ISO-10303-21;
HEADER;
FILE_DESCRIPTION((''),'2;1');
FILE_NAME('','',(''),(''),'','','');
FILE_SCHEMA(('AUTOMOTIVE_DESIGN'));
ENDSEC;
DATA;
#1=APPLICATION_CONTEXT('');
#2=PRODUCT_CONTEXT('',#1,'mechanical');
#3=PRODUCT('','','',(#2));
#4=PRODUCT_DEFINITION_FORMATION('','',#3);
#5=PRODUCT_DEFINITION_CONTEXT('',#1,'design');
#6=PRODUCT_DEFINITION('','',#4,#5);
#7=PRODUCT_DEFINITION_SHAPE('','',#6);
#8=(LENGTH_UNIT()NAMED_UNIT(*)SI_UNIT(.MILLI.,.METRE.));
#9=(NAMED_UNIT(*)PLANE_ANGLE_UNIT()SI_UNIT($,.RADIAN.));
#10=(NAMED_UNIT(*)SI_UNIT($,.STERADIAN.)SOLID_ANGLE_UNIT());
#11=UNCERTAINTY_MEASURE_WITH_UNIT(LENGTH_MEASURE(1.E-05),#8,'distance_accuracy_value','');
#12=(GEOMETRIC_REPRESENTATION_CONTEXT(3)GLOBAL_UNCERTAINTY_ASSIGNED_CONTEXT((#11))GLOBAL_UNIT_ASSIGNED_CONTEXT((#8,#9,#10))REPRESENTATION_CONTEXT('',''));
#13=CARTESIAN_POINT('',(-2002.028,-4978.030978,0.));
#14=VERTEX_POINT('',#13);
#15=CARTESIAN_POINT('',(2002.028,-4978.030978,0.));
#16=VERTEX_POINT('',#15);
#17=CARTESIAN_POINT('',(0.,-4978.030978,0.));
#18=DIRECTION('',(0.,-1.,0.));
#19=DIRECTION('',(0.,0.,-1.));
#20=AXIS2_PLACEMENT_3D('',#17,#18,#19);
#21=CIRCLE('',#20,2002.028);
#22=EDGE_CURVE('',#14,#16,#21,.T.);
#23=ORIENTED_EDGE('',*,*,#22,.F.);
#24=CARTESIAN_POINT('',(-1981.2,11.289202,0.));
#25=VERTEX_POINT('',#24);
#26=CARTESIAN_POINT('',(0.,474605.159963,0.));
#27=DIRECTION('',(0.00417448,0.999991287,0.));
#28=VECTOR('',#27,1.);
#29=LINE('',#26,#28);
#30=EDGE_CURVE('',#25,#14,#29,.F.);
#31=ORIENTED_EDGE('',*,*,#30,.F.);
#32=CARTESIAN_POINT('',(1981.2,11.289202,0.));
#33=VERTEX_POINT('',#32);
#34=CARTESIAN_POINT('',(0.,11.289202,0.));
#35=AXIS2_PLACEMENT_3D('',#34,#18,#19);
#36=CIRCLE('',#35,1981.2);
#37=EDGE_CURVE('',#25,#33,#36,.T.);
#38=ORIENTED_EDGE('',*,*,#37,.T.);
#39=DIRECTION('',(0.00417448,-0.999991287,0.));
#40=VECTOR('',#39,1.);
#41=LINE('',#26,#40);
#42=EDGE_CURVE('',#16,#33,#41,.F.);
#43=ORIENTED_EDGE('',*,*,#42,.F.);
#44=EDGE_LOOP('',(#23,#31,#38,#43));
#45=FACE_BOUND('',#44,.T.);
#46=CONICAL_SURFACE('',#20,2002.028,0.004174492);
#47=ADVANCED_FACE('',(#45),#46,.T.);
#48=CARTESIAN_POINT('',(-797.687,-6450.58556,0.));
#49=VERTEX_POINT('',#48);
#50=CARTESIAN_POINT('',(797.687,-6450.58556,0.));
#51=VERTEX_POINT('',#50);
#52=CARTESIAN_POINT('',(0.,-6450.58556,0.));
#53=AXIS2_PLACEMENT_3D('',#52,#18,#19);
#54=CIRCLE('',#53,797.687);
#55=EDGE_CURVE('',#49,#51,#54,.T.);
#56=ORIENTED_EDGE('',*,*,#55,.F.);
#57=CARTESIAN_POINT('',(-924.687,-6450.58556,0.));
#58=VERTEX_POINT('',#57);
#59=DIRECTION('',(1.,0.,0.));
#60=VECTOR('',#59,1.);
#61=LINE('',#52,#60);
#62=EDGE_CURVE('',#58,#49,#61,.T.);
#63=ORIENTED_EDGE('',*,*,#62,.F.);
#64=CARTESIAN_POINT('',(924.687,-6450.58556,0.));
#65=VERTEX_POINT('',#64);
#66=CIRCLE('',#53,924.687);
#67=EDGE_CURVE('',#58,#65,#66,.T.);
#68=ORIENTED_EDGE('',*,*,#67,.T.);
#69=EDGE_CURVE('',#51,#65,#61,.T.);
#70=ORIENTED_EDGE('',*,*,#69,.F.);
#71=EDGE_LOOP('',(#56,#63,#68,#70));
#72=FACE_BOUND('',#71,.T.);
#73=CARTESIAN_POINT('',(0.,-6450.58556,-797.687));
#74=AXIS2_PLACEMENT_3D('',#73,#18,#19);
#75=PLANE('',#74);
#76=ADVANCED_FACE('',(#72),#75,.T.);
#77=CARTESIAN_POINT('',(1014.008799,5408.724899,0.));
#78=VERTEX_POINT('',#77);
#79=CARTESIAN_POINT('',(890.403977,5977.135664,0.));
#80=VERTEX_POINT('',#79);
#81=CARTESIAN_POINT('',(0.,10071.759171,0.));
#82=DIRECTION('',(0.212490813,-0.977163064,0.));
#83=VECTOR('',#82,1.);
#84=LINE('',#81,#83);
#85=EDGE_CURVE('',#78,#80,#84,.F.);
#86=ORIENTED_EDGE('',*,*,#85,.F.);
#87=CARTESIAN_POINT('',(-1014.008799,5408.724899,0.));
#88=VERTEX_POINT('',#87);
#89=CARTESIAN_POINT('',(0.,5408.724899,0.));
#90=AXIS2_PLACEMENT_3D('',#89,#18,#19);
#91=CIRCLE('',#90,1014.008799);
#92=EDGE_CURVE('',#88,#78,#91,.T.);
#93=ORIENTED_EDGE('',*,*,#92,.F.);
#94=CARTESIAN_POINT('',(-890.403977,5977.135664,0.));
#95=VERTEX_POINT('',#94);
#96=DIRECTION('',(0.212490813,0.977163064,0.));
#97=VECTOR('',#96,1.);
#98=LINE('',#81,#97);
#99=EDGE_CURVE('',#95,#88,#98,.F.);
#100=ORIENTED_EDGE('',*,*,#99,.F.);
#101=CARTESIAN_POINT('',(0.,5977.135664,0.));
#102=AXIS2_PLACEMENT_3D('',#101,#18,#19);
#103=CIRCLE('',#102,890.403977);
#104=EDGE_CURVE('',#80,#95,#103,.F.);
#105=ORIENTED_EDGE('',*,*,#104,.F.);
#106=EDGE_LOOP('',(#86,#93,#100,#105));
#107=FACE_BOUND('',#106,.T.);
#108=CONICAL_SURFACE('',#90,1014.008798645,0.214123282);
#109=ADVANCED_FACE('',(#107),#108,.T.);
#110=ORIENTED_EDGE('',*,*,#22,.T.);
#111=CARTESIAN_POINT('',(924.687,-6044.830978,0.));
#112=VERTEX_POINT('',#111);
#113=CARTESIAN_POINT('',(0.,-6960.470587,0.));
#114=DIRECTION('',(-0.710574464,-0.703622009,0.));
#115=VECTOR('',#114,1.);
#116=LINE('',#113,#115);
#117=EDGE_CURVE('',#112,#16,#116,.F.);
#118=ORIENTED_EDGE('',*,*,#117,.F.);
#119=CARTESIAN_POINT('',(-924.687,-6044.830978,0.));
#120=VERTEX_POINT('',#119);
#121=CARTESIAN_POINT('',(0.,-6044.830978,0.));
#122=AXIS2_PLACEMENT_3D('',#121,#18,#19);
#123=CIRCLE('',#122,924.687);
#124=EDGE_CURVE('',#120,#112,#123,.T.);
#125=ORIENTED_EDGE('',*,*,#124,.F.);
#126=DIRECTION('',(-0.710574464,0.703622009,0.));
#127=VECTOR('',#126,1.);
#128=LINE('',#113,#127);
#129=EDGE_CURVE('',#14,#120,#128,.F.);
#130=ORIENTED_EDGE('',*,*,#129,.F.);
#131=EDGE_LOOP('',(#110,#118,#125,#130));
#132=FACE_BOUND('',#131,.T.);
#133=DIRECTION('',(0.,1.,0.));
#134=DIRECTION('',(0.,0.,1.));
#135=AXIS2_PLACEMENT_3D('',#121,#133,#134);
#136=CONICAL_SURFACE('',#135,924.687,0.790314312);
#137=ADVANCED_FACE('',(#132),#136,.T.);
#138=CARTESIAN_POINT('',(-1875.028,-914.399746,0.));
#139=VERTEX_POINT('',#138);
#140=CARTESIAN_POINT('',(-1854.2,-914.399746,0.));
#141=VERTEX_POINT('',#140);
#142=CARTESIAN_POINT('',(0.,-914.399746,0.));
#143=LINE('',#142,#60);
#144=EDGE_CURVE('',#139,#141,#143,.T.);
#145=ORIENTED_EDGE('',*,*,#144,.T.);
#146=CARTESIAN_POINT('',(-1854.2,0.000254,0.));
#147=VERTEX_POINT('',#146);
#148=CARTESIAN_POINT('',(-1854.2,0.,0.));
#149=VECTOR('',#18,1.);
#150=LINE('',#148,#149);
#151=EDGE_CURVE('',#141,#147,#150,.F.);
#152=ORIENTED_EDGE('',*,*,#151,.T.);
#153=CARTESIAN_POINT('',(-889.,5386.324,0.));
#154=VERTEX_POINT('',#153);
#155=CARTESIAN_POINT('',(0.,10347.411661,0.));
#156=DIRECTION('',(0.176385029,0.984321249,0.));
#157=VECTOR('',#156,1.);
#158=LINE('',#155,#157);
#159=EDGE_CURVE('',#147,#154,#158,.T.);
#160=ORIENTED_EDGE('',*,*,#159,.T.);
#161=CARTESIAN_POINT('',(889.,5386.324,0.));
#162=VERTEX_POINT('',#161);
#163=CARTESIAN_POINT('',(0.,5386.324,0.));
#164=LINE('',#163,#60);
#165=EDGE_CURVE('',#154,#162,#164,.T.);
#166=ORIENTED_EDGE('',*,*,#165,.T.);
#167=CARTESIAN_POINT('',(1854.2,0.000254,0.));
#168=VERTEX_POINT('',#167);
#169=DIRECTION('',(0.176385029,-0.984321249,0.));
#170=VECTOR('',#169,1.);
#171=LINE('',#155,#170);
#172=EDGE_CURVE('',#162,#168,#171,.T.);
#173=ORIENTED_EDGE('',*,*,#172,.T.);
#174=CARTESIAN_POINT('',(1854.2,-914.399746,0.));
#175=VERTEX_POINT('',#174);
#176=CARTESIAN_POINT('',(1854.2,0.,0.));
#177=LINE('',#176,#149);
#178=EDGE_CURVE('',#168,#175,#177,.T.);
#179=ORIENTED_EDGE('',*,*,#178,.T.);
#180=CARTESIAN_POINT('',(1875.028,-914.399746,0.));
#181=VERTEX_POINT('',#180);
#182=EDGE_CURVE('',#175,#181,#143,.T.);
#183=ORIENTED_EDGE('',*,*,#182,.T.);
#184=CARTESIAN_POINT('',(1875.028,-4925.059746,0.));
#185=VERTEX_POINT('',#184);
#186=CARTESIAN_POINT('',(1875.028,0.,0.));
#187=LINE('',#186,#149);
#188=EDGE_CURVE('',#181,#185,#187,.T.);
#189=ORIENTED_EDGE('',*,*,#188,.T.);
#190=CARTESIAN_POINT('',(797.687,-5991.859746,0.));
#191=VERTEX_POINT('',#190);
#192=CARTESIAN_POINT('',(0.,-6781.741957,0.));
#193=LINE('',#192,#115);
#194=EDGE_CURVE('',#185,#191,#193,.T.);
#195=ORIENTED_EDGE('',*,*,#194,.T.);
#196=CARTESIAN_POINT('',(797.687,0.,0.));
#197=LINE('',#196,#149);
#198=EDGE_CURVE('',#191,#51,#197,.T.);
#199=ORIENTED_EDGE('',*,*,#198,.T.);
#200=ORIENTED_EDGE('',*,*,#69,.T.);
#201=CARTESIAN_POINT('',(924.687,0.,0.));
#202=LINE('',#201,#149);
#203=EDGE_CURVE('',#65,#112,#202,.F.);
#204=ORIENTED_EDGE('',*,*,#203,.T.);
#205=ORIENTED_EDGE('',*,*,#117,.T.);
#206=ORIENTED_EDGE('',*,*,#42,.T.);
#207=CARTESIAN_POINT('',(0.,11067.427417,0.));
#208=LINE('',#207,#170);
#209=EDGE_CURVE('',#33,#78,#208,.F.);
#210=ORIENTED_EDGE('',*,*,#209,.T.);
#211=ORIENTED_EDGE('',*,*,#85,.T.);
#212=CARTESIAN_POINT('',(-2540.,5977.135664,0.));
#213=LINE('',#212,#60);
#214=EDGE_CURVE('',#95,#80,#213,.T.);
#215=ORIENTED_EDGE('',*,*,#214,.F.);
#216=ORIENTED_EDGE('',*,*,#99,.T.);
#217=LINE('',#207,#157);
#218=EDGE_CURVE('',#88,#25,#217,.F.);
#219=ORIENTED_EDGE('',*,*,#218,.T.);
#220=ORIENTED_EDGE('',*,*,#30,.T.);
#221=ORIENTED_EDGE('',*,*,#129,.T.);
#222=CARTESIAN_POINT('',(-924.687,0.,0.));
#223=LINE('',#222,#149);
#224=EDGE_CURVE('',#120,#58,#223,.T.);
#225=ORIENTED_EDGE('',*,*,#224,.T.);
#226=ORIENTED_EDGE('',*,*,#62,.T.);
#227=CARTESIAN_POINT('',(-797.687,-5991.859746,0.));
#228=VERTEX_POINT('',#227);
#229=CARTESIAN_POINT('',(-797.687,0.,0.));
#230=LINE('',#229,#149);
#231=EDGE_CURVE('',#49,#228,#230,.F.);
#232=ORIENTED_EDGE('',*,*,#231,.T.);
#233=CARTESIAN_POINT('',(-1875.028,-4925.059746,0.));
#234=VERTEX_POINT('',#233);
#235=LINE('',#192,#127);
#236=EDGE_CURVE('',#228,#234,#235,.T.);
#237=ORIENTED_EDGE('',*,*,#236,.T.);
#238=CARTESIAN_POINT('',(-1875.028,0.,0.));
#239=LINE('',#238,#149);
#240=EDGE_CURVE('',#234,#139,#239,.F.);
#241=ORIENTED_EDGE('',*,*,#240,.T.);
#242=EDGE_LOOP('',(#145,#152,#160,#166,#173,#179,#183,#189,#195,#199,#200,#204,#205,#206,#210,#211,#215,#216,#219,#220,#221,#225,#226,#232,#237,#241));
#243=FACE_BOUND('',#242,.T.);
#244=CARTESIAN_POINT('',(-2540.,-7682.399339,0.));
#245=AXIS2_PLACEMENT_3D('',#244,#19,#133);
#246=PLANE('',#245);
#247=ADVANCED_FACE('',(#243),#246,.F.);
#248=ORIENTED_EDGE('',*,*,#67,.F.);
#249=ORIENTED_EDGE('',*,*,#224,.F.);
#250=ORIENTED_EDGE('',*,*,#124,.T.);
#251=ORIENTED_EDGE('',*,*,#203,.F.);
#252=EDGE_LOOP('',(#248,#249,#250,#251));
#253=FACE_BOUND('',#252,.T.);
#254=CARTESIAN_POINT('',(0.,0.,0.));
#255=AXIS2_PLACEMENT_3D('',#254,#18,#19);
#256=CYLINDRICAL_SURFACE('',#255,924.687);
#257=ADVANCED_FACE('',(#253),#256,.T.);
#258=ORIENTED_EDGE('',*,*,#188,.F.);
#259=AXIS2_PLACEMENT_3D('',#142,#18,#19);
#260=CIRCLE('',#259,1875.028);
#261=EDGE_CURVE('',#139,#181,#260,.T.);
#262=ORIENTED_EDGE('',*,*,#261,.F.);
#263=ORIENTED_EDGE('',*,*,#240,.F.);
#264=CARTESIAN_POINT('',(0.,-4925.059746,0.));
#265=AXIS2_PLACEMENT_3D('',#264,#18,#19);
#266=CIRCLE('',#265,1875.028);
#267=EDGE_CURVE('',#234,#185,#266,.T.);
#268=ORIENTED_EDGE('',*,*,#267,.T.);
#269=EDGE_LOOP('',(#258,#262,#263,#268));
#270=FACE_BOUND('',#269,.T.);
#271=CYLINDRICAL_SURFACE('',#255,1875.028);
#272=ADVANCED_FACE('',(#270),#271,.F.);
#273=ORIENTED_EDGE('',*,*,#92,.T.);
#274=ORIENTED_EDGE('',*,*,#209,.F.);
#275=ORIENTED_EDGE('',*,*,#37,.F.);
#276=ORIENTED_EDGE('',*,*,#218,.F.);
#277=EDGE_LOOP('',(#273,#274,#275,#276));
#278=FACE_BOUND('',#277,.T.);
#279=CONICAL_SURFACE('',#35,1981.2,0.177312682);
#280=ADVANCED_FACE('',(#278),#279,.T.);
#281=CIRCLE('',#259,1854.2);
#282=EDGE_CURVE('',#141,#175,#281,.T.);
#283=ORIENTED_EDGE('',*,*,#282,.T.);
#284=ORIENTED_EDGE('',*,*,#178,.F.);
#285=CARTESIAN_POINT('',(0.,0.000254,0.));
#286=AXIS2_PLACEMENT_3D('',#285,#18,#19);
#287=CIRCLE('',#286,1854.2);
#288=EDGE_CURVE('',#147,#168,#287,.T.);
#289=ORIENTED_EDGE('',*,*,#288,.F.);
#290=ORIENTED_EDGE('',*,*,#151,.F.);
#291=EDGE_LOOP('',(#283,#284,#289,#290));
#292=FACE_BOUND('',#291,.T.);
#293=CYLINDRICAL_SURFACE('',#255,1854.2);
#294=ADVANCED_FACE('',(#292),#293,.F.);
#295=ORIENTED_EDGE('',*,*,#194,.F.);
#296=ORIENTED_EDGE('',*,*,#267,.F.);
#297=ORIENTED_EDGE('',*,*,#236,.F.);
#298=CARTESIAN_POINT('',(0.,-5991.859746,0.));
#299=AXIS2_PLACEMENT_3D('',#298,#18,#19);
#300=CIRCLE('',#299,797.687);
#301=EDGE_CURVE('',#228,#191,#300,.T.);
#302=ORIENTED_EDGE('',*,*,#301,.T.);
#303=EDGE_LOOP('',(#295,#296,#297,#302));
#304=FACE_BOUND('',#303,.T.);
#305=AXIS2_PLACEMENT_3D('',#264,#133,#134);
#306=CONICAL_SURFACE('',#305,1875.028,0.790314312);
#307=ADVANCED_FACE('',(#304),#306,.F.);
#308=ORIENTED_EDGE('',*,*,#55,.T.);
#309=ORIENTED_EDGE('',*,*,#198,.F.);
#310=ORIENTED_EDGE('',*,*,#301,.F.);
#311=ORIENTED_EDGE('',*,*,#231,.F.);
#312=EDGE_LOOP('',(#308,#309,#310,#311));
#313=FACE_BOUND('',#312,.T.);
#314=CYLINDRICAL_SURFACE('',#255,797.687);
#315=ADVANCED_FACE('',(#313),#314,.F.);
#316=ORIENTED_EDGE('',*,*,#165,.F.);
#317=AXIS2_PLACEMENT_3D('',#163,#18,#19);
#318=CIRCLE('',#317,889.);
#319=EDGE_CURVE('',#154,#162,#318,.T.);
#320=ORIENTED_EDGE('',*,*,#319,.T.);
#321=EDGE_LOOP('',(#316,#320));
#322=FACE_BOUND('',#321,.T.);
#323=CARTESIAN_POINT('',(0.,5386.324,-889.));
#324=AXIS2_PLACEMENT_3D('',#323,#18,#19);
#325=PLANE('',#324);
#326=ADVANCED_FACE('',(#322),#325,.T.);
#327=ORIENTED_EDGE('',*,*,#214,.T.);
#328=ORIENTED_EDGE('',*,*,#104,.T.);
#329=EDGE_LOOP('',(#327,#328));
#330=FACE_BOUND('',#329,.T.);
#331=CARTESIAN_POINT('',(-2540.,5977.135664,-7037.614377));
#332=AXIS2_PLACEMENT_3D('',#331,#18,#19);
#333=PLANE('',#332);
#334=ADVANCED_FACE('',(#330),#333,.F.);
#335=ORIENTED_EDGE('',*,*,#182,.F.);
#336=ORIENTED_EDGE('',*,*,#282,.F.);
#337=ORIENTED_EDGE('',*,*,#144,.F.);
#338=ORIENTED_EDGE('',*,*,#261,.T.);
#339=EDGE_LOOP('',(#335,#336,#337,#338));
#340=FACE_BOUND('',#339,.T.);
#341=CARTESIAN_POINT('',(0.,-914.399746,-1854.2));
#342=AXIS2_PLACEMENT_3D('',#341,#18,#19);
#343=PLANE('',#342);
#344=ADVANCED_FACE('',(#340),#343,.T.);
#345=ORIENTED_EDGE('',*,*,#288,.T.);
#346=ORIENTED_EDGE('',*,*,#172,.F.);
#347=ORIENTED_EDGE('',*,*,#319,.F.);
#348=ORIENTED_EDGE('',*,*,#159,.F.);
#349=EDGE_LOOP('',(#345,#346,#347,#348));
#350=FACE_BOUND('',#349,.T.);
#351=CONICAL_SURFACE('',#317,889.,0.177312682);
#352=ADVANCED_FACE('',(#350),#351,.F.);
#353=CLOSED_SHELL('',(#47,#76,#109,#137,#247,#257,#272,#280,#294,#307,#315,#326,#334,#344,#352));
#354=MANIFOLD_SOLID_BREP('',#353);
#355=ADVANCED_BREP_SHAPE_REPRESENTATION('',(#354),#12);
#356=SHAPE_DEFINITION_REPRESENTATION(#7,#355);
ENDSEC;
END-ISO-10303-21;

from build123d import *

# Parameters (mm, degrees)
EXTRUDE1_DEPTH = 2540


with BuildPart() as part:
    # Sketch1 → Revolve1 (revolve)
    with BuildSketch(Plane(origin=(0, 0, 0), x_dir=(0, 0, -1), z_dir=(1, 0, 0))):
        with BuildLine():
            Line((889, 5386.324), (1854.2, 0.000254))
            Line((1854.2, 0.000254), (1854.2, -914.399746))
            Line((1854.2, -914.399746), (1875.028, -914.399746))
            Line((1875.028, -914.399746), (1875.028, -4925.059746))
            Line((1875.028, -4925.059746), (797.687, -5991.859746))
            Line((797.687, -5991.859746), (797.687, -6450.585559605))
            Line((797.687, -6450.585559605), (924.687, -6450.585559605))
            Line((924.687, -6450.585559605), (924.687, -6044.830978169))
            Line((924.687, -6044.830978169), (2002.028, -4978.030978169))
            Line((2002.028, -4978.030978169), (1981.2, 11.289201635))
            Line((1981.2, 11.289201635), (1014.008798645, 5408.724898673))
            Line((1014.008798645, 5408.724898673), (797.687, 6403.505182835))
            ThreePointArc((797.687, 6403.505182835), (486.180167613, 6776.837110866), (0, 6783.324))
            Line((0, 6783.324), (0, 5386.324))
            Line((0, 5386.324), (889, 5386.324))
        make_face()
    revolve(axis=Axis((0, 0, 0), (0, 1, 0)))

    # Sketch4 → Extrude1 (cut, symmetric)
    with BuildSketch(Plane(origin=(0, 0, 0), x_dir=(0, 0, -1), z_dir=(1, 0, 0))):
        Polygon((-2694.362822344, 5977.135663923), (-3046.020950611, 5977.135663923), (-3046.020950611, 7002.576510216), (7037.614377191, 7002.576510216), (7037.614377191, 5977.135663923), (0, 5977.135663923), (0, -7682.399338872), (-2694.362822344, -7682.399338872), align=None)
    extrude(amount=EXTRUDE1_DEPTH, both=True, mode=Mode.SUBTRACT)


solid = part.part
